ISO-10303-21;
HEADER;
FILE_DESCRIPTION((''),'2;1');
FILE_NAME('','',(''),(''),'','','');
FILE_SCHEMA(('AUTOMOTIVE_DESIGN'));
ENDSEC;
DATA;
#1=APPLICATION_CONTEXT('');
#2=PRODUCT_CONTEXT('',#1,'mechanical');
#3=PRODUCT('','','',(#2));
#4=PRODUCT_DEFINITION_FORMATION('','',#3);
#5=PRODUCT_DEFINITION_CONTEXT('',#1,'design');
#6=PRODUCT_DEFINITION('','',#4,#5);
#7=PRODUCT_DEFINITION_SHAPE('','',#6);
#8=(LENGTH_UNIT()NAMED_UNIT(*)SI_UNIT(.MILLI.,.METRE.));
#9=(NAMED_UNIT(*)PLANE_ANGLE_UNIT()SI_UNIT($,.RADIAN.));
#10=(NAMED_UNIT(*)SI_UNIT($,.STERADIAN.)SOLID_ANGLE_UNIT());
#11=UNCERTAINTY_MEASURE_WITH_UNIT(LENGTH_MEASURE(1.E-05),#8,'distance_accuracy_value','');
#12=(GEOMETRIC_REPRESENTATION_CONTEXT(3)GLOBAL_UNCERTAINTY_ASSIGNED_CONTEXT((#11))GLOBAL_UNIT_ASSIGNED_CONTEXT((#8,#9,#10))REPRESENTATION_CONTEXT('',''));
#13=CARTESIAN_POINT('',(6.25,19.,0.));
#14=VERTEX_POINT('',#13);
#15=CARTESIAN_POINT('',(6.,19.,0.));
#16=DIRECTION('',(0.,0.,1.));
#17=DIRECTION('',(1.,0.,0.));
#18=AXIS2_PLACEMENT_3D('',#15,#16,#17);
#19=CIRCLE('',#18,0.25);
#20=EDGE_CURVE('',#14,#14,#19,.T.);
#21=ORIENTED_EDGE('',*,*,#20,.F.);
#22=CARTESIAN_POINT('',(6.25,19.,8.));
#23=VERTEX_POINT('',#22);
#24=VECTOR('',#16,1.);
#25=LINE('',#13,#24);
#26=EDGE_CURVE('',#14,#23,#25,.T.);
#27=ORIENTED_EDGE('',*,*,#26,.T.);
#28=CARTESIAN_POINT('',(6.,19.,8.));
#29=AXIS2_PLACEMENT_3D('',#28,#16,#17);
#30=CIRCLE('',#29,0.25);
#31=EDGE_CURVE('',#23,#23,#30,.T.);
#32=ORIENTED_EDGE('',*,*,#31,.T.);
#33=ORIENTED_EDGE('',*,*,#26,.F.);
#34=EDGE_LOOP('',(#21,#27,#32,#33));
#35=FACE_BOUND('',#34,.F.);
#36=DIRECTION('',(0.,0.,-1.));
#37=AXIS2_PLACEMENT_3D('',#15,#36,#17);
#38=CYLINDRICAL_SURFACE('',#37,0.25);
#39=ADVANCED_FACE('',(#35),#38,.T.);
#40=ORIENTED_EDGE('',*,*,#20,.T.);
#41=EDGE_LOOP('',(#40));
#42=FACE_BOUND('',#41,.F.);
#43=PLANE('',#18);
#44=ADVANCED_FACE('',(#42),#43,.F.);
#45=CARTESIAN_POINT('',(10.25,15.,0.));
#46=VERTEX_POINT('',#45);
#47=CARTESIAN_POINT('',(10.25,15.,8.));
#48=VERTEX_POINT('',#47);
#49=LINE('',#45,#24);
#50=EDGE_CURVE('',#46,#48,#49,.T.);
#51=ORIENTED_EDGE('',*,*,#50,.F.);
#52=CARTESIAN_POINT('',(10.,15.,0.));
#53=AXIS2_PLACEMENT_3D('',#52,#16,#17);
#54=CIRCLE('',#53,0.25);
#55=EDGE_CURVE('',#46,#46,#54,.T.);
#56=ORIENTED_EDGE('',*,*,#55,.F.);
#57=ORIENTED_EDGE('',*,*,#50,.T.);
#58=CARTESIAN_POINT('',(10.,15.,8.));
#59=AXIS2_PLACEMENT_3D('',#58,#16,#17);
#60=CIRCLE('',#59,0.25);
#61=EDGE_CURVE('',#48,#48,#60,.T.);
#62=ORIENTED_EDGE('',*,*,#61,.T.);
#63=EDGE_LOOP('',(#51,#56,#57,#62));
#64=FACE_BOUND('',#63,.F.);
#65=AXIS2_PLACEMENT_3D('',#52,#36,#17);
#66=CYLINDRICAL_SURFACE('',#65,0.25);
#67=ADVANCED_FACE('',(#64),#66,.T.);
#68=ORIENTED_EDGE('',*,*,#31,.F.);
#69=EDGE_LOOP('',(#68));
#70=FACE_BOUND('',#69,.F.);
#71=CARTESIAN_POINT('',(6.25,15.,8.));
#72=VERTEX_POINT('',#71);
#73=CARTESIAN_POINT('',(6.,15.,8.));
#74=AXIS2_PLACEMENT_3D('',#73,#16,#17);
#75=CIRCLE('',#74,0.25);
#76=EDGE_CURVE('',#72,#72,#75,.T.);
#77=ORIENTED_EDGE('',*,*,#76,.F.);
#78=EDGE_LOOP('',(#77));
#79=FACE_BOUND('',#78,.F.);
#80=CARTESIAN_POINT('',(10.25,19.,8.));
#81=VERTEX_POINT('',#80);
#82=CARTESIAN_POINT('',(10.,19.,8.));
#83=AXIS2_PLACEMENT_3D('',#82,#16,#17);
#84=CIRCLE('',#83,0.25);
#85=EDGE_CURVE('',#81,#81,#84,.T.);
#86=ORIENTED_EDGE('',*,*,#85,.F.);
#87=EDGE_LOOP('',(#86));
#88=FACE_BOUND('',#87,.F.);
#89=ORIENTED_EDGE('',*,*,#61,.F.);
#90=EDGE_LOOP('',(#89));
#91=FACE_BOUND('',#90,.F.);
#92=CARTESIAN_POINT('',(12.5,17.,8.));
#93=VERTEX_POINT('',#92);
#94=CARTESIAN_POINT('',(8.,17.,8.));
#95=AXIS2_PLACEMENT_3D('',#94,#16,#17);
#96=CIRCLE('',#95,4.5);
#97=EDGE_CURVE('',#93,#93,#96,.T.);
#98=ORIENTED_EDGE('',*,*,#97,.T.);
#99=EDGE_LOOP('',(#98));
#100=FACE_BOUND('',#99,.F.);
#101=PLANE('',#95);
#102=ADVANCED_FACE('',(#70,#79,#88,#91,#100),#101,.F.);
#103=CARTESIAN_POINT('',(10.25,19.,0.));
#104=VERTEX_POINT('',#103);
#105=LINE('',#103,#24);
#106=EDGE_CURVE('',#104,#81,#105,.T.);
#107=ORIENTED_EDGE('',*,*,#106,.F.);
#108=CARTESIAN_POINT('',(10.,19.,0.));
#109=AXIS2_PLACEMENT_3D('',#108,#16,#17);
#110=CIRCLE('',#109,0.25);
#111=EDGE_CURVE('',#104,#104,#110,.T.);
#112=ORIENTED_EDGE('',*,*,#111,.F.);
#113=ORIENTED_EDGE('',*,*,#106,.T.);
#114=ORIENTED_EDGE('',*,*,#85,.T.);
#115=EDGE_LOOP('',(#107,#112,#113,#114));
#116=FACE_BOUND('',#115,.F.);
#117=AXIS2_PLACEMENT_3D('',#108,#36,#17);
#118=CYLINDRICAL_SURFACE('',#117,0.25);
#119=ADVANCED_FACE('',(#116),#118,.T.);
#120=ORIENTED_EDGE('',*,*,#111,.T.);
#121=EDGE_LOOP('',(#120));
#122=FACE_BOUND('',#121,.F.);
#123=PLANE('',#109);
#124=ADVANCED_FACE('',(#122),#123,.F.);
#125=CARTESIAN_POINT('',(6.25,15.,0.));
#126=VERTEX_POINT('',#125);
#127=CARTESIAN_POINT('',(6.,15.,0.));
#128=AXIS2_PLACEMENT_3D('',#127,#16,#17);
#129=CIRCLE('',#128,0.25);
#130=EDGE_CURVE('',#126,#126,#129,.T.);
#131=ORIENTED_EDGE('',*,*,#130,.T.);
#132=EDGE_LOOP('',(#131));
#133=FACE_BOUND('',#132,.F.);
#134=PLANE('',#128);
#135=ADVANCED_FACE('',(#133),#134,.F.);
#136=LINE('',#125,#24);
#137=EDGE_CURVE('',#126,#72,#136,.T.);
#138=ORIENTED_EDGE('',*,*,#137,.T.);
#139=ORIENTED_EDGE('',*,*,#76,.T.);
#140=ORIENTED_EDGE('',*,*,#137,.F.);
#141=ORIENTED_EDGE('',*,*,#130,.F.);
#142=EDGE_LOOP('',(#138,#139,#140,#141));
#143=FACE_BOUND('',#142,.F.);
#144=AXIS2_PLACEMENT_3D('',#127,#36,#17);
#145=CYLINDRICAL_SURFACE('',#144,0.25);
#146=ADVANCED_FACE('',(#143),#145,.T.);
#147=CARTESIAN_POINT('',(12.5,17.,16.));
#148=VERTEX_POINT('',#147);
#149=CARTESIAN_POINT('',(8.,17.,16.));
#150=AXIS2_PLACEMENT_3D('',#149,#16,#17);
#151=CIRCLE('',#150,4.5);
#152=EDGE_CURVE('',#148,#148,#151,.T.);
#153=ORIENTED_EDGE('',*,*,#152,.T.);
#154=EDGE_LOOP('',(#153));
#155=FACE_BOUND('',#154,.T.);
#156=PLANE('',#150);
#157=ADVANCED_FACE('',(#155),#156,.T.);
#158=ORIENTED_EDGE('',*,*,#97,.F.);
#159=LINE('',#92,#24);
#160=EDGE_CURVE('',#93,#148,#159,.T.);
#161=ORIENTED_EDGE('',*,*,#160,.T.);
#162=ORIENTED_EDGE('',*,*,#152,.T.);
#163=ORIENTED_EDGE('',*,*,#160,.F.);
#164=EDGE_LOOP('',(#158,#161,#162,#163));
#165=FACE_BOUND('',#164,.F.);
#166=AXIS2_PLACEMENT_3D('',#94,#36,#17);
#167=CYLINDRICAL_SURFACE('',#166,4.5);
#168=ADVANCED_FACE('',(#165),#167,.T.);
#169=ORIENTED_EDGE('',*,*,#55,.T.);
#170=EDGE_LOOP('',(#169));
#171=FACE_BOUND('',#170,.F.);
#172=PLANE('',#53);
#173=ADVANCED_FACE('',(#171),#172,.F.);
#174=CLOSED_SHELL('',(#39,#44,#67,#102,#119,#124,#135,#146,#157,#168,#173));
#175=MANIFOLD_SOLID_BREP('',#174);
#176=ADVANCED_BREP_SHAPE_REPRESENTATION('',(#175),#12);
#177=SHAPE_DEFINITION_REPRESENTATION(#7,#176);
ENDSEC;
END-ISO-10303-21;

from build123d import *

# Parameters (mm, degrees)
CYLINDER006_R     = 0.25
CYLINDER006_DEPTH = 8
CYLINDER007_R     = 0.25
CYLINDER007_DEPTH = 8
CYLINDER008_R     = 0.25
CYLINDER008_DEPTH = 8
CYLINDER009_R     = 0.25
CYLINDER009_DEPTH = 8
CYLINDER005_R     = 4.5
CYLINDER005_DEPTH = 8


with BuildPart() as cylinder006:
    # Cylinder006 → Cylinder006 (new body)
    with BuildSketch(Plane(origin=(6, 15, 0), x_dir=(1, 0, 0), z_dir=(0, 0, 1))):
        Circle(CYLINDER006_R)
    extrude(amount=CYLINDER006_DEPTH)


with BuildPart() as cylinder007:
    # Cylinder007 → Cylinder007 (new body)
    with BuildSketch(Plane(origin=(6, 19, 0), x_dir=(1, 0, 0), z_dir=(0, 0, 1))):
        Circle(CYLINDER007_R)
    extrude(amount=CYLINDER007_DEPTH)


with BuildPart() as cylinder008:
    # Cylinder008 → Cylinder008 (new body)
    with BuildSketch(Plane(origin=(10, 19, 0), x_dir=(1, 0, 0), z_dir=(0, 0, 1))):
        Circle(CYLINDER008_R)
    extrude(amount=CYLINDER008_DEPTH)


with BuildPart() as cylinder009:
    # Cylinder009 → Cylinder009 (new body)
    with BuildSketch(Plane(origin=(10, 15, 0), x_dir=(1, 0, 0), z_dir=(0, 0, 1))):
        Circle(CYLINDER009_R)
    extrude(amount=CYLINDER009_DEPTH)


with BuildPart() as capacitor:
    # Cylinder005 → Cylinder005 (new body)
    with BuildSketch(Plane(origin=(8, 17, 8), x_dir=(1, 0, 0), z_dir=(0, 0, 1))):
        Circle(CYLINDER005_R)
    extrude(amount=CYLINDER005_DEPTH)

    # Fusion001: union Cylinder006, Cylinder007, Cylinder008, Cylinder009
    add(cylinder006.part)
    add(cylinder007.part)
    add(cylinder008.part)
    add(cylinder009.part)


solid = capacitor.part
